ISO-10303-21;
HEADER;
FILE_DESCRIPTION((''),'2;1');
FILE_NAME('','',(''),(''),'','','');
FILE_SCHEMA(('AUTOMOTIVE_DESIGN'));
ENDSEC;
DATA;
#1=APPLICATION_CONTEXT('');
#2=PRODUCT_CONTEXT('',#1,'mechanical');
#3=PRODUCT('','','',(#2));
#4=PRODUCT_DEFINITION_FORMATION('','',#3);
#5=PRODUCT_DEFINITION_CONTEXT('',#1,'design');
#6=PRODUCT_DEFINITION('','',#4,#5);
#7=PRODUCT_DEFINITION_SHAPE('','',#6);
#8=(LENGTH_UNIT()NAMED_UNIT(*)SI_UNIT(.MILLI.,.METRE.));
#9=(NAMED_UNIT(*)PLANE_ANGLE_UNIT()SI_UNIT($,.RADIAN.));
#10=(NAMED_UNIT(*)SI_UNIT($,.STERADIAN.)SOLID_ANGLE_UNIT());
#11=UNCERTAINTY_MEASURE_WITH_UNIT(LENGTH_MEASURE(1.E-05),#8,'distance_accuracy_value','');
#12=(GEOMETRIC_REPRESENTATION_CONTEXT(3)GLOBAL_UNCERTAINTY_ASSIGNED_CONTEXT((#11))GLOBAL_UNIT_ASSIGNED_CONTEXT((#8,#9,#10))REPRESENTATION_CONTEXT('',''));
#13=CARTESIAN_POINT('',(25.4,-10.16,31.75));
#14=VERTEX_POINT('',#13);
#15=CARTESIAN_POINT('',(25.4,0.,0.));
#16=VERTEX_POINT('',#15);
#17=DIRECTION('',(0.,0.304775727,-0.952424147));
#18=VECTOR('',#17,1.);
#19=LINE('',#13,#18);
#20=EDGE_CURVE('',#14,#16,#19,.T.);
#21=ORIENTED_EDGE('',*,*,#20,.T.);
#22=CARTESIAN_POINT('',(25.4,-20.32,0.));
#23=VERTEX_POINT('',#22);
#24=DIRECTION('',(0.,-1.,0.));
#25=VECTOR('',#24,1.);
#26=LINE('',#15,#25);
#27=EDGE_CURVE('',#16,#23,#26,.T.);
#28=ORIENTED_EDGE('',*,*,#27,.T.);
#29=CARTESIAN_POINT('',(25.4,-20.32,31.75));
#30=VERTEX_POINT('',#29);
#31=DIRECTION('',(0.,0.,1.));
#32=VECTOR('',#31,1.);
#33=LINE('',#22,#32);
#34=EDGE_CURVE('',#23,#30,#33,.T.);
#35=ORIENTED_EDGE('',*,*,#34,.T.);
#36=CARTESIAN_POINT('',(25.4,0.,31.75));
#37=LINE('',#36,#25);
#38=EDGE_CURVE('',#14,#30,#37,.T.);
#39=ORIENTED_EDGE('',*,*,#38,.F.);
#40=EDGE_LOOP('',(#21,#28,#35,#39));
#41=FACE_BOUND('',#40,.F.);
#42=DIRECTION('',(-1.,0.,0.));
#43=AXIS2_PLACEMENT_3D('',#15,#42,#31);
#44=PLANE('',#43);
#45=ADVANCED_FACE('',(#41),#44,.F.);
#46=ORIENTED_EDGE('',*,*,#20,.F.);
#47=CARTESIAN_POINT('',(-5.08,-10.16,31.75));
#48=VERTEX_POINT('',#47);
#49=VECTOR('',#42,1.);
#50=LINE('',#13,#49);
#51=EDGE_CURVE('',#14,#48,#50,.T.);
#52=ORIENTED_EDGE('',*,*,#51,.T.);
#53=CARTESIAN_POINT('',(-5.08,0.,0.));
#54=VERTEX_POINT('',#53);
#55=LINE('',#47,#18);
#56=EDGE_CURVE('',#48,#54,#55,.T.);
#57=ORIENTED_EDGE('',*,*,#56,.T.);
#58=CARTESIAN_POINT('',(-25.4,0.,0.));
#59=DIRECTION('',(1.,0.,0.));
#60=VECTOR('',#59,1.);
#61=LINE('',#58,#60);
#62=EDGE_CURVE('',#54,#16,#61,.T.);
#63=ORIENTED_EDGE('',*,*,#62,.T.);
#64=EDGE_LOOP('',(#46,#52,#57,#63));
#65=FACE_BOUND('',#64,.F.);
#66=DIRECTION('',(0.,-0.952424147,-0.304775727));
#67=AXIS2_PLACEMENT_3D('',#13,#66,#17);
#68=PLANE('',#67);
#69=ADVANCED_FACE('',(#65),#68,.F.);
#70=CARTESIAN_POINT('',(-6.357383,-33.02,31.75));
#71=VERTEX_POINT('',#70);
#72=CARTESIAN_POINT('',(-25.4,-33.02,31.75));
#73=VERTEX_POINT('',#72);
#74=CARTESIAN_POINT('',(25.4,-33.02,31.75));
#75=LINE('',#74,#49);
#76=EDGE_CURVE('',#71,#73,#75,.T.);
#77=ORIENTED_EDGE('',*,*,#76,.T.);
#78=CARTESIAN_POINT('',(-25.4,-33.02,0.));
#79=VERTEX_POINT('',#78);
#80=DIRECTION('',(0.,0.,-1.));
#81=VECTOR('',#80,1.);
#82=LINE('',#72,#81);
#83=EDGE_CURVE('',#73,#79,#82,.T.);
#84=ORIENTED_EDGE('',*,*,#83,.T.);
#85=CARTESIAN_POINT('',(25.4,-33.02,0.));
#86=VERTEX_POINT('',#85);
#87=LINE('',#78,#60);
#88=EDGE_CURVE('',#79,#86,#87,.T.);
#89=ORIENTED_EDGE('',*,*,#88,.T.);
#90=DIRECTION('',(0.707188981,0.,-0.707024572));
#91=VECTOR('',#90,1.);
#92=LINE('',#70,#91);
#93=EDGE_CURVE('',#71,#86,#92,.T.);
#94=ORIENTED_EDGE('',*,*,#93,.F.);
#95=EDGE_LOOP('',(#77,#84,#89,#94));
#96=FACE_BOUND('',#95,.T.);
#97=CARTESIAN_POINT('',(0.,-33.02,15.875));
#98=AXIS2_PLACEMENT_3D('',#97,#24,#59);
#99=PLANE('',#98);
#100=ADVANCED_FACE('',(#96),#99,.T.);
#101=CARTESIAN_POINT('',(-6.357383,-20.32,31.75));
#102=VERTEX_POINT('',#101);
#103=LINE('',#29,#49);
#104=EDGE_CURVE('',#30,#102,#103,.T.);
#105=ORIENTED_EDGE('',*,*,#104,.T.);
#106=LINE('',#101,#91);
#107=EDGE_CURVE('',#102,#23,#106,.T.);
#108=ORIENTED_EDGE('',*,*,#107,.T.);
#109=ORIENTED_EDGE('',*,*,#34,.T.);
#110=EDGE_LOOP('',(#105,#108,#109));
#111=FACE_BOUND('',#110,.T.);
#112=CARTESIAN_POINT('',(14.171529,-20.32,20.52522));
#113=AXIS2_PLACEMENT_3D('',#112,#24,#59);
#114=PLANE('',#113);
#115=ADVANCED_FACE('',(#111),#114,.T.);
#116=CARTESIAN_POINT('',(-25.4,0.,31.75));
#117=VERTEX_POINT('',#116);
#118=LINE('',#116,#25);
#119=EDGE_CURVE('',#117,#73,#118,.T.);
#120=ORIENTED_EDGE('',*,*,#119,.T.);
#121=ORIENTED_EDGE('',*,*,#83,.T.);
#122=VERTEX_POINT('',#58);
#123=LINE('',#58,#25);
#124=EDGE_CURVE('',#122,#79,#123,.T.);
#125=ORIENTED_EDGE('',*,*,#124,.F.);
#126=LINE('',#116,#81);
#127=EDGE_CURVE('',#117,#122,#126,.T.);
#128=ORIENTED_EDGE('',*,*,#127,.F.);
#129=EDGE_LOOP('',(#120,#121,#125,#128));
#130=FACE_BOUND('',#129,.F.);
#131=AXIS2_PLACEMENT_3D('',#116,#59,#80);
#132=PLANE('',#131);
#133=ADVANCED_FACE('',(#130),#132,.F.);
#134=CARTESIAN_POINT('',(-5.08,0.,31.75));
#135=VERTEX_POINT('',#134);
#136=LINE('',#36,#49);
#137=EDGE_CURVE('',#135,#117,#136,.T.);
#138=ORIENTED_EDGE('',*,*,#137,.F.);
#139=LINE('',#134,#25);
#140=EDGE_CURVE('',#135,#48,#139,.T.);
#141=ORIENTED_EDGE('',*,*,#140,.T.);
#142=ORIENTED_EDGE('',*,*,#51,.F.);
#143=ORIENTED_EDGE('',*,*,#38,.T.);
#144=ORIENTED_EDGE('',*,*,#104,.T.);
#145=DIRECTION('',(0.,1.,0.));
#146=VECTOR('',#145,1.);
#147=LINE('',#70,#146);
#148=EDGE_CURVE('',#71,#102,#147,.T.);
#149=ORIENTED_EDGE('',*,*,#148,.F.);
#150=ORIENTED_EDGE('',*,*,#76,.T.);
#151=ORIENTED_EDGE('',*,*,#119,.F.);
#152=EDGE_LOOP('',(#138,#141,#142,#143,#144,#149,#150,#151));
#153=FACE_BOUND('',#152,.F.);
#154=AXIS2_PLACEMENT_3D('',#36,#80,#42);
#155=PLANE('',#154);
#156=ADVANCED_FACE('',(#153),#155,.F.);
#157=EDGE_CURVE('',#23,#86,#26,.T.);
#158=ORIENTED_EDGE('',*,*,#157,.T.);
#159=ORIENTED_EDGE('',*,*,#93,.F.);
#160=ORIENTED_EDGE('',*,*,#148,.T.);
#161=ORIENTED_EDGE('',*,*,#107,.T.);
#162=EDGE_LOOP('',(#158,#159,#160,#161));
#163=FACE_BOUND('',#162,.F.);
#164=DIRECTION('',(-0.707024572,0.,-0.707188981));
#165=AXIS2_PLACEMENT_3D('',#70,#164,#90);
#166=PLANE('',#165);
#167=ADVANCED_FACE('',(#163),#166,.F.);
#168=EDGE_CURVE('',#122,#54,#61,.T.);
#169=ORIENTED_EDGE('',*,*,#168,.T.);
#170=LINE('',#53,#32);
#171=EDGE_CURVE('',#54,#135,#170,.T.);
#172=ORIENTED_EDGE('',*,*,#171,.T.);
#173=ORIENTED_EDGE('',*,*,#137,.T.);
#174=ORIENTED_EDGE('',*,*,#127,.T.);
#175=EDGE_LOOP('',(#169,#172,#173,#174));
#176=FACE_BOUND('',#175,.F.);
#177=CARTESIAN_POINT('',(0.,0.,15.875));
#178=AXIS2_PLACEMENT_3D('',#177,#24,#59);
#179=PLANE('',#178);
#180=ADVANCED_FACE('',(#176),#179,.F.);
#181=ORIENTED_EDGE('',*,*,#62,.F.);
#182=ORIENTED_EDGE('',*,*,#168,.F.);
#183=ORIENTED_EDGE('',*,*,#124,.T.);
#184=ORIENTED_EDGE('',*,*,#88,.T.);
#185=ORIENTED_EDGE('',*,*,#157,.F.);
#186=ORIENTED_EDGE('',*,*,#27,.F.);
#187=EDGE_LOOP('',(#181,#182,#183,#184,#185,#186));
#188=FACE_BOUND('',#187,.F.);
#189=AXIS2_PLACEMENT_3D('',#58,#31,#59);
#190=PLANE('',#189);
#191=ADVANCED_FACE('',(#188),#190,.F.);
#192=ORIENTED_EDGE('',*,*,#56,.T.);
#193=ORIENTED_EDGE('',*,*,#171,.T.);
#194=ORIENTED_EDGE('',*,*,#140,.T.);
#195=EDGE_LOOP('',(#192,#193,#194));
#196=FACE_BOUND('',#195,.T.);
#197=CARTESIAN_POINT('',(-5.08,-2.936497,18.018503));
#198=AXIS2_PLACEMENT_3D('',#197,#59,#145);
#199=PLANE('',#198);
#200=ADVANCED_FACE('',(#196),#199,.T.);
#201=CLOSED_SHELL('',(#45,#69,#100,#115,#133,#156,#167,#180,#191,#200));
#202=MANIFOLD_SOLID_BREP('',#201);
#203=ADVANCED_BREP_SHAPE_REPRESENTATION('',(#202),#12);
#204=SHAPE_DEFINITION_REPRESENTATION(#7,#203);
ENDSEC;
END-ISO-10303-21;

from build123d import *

# Parameters (mm, degrees)
F1_DEPTH = 33.02
F3_DEPTH = 12.7
F5_DEPTH = 30.48


with BuildPart() as f1:
    # F0 (on Front) → F1 (new body)
    with BuildSketch(Plane.XZ):
        Polygon((-25.4, 0), (0, 0), (25.4, 0), (25.4, 31.75), (-25.4, 31.75), align=None)
    extrude(amount=F1_DEPTH)

    # F2 (on face) → F3 (cut)
    with BuildSketch(Plane.XZ.offset(33.02)):
        Polygon((25.4, 31.75), (-6.357383, 31.75), (25.4, 0), align=None)
    extrude(amount=-F3_DEPTH, mode=Mode.SUBTRACT)

    # F4 (on face) → F5 (cut)
    with BuildSketch(Plane.YZ.offset(25.4)):
        Polygon((-10.16, 31.75), (0, 0), (0, 31.75), align=None)
    extrude(amount=-F5_DEPTH, mode=Mode.SUBTRACT)


solid = f1.part
